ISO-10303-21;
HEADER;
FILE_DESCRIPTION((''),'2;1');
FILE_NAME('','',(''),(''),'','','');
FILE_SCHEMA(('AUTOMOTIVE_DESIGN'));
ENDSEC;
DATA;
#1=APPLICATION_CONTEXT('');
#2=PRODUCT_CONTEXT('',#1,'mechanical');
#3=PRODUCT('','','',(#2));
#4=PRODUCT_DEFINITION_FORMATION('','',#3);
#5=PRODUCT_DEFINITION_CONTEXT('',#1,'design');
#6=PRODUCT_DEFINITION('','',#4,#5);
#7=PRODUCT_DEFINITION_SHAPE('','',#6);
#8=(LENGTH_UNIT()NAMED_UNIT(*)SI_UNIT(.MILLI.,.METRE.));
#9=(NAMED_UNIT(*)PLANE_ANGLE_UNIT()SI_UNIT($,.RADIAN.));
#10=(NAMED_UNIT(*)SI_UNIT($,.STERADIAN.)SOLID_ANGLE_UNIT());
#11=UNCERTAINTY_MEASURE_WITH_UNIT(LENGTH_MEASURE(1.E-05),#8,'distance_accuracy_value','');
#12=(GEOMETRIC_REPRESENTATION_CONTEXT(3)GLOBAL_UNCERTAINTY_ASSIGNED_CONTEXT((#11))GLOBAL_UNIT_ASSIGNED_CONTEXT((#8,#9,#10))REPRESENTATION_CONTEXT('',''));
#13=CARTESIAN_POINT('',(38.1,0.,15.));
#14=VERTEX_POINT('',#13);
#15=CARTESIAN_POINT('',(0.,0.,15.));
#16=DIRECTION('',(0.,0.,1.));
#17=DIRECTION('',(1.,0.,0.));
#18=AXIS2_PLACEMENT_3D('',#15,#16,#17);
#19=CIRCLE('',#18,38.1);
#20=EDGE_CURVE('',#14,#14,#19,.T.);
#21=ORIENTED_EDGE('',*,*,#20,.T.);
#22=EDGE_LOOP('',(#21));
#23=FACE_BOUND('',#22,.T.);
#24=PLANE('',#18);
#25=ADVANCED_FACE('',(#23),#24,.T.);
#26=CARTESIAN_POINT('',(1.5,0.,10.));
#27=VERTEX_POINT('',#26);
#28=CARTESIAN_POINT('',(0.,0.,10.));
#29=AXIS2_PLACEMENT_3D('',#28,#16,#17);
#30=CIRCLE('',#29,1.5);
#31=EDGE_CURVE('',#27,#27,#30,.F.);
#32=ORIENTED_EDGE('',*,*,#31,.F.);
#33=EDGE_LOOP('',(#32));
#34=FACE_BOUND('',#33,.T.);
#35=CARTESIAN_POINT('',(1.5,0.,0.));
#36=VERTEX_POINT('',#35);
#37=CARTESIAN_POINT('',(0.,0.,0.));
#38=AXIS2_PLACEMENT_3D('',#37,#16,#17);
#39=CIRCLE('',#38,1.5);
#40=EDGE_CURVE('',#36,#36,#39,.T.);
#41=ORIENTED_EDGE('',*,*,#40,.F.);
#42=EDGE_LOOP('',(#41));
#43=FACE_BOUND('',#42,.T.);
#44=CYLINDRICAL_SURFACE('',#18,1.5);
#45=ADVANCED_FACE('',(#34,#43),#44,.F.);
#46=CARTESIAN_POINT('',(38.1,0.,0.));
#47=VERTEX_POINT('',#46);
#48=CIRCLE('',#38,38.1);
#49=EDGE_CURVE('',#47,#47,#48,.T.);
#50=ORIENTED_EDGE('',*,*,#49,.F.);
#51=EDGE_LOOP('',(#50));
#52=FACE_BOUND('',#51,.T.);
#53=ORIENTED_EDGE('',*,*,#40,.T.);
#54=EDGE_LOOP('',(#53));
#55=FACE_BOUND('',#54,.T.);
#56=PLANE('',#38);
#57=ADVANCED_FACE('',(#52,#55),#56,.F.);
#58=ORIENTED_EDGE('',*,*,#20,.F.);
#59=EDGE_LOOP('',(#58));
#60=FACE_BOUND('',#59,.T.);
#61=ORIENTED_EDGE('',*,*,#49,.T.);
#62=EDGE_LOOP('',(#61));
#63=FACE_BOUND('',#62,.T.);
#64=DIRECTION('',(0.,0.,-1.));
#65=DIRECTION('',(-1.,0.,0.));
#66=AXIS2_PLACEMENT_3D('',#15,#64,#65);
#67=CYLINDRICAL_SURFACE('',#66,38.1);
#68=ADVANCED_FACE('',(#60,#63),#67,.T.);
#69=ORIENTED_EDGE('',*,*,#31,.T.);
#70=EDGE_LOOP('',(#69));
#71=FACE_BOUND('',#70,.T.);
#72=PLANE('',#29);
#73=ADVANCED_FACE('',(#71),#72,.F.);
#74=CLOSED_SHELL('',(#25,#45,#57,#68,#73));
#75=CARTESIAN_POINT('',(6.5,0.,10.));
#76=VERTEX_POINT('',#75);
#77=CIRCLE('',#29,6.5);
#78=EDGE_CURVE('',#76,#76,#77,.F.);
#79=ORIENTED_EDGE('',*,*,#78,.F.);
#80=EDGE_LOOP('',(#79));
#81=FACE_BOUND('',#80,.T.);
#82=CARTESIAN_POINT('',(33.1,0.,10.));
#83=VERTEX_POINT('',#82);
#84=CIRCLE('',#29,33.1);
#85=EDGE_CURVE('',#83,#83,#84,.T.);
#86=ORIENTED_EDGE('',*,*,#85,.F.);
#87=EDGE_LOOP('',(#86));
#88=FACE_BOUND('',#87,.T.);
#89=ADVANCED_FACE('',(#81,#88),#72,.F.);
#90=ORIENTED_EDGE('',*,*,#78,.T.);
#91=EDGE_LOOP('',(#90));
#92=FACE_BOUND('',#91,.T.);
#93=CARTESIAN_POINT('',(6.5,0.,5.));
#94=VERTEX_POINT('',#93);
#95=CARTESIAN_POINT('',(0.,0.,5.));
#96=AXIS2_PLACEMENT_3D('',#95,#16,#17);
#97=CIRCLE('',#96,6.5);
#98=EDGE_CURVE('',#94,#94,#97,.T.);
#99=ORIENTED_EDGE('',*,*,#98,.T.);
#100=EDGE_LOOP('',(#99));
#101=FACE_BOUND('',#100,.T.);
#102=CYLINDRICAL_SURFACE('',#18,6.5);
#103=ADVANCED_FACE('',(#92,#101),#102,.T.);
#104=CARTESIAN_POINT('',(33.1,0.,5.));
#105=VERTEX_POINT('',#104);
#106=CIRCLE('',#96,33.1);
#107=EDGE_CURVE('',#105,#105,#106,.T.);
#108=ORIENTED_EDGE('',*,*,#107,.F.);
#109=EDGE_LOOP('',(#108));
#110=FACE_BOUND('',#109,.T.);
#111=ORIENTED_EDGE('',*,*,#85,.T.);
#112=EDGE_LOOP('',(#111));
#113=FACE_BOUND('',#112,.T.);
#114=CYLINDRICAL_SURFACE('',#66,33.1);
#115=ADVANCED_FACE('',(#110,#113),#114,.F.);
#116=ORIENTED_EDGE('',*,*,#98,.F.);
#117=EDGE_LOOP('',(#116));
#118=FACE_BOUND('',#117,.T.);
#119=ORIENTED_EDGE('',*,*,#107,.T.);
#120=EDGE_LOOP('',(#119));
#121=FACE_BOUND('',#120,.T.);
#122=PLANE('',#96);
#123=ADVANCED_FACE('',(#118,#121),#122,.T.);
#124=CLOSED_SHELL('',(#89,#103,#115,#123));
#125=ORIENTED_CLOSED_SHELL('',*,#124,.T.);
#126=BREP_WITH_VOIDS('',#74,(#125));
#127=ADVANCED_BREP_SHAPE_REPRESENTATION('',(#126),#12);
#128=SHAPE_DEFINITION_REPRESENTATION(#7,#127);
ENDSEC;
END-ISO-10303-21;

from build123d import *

# Parameters (mm, degrees)
SKETCH1_R                       = 38.1
BOSS_EXTRUDE1_DEPTH             = 15
F_3_0MM_CLEARANCE_DOWEL_HOLE1_D = 3
SHELL3_T                        = -5
BOSS_EXTRUDE2_START             = 10
SKETCH1_2_R                     = 38.1
BOSS_EXTRUDE2_DEPTH             = 5


with BuildPart() as part:
    # Sketch1 → Boss-Extrude1 (new body)
    with BuildSketch(Plane.XY):
        Circle(SKETCH1_R)
    extrude(amount=BOSS_EXTRUDE1_DEPTH)

    # Ø3.0mm Clearance Dowel Hole1 (through all)
    with Locations(Plane.XY.offset(15)):
        with Locations((0, 0)):
            Hole(F_3_0MM_CLEARANCE_DOWEL_HOLE1_D / 2)

    # Shell3
    shell3_openings = [part.faces().sort_by_distance(p)[0] for p in [
        (-37.022369265, 0, 15),
    ]]
    offset(amount=SHELL3_T, openings=shell3_openings, kind=Kind.INTERSECTION)

    # Sketch1<2> → Boss-Extrude2 (add)
    with BuildSketch(Plane.XY.offset(BOSS_EXTRUDE2_START)):
        Circle(SKETCH1_2_R)
    extrude(amount=BOSS_EXTRUDE2_DEPTH)


solid = part.part
